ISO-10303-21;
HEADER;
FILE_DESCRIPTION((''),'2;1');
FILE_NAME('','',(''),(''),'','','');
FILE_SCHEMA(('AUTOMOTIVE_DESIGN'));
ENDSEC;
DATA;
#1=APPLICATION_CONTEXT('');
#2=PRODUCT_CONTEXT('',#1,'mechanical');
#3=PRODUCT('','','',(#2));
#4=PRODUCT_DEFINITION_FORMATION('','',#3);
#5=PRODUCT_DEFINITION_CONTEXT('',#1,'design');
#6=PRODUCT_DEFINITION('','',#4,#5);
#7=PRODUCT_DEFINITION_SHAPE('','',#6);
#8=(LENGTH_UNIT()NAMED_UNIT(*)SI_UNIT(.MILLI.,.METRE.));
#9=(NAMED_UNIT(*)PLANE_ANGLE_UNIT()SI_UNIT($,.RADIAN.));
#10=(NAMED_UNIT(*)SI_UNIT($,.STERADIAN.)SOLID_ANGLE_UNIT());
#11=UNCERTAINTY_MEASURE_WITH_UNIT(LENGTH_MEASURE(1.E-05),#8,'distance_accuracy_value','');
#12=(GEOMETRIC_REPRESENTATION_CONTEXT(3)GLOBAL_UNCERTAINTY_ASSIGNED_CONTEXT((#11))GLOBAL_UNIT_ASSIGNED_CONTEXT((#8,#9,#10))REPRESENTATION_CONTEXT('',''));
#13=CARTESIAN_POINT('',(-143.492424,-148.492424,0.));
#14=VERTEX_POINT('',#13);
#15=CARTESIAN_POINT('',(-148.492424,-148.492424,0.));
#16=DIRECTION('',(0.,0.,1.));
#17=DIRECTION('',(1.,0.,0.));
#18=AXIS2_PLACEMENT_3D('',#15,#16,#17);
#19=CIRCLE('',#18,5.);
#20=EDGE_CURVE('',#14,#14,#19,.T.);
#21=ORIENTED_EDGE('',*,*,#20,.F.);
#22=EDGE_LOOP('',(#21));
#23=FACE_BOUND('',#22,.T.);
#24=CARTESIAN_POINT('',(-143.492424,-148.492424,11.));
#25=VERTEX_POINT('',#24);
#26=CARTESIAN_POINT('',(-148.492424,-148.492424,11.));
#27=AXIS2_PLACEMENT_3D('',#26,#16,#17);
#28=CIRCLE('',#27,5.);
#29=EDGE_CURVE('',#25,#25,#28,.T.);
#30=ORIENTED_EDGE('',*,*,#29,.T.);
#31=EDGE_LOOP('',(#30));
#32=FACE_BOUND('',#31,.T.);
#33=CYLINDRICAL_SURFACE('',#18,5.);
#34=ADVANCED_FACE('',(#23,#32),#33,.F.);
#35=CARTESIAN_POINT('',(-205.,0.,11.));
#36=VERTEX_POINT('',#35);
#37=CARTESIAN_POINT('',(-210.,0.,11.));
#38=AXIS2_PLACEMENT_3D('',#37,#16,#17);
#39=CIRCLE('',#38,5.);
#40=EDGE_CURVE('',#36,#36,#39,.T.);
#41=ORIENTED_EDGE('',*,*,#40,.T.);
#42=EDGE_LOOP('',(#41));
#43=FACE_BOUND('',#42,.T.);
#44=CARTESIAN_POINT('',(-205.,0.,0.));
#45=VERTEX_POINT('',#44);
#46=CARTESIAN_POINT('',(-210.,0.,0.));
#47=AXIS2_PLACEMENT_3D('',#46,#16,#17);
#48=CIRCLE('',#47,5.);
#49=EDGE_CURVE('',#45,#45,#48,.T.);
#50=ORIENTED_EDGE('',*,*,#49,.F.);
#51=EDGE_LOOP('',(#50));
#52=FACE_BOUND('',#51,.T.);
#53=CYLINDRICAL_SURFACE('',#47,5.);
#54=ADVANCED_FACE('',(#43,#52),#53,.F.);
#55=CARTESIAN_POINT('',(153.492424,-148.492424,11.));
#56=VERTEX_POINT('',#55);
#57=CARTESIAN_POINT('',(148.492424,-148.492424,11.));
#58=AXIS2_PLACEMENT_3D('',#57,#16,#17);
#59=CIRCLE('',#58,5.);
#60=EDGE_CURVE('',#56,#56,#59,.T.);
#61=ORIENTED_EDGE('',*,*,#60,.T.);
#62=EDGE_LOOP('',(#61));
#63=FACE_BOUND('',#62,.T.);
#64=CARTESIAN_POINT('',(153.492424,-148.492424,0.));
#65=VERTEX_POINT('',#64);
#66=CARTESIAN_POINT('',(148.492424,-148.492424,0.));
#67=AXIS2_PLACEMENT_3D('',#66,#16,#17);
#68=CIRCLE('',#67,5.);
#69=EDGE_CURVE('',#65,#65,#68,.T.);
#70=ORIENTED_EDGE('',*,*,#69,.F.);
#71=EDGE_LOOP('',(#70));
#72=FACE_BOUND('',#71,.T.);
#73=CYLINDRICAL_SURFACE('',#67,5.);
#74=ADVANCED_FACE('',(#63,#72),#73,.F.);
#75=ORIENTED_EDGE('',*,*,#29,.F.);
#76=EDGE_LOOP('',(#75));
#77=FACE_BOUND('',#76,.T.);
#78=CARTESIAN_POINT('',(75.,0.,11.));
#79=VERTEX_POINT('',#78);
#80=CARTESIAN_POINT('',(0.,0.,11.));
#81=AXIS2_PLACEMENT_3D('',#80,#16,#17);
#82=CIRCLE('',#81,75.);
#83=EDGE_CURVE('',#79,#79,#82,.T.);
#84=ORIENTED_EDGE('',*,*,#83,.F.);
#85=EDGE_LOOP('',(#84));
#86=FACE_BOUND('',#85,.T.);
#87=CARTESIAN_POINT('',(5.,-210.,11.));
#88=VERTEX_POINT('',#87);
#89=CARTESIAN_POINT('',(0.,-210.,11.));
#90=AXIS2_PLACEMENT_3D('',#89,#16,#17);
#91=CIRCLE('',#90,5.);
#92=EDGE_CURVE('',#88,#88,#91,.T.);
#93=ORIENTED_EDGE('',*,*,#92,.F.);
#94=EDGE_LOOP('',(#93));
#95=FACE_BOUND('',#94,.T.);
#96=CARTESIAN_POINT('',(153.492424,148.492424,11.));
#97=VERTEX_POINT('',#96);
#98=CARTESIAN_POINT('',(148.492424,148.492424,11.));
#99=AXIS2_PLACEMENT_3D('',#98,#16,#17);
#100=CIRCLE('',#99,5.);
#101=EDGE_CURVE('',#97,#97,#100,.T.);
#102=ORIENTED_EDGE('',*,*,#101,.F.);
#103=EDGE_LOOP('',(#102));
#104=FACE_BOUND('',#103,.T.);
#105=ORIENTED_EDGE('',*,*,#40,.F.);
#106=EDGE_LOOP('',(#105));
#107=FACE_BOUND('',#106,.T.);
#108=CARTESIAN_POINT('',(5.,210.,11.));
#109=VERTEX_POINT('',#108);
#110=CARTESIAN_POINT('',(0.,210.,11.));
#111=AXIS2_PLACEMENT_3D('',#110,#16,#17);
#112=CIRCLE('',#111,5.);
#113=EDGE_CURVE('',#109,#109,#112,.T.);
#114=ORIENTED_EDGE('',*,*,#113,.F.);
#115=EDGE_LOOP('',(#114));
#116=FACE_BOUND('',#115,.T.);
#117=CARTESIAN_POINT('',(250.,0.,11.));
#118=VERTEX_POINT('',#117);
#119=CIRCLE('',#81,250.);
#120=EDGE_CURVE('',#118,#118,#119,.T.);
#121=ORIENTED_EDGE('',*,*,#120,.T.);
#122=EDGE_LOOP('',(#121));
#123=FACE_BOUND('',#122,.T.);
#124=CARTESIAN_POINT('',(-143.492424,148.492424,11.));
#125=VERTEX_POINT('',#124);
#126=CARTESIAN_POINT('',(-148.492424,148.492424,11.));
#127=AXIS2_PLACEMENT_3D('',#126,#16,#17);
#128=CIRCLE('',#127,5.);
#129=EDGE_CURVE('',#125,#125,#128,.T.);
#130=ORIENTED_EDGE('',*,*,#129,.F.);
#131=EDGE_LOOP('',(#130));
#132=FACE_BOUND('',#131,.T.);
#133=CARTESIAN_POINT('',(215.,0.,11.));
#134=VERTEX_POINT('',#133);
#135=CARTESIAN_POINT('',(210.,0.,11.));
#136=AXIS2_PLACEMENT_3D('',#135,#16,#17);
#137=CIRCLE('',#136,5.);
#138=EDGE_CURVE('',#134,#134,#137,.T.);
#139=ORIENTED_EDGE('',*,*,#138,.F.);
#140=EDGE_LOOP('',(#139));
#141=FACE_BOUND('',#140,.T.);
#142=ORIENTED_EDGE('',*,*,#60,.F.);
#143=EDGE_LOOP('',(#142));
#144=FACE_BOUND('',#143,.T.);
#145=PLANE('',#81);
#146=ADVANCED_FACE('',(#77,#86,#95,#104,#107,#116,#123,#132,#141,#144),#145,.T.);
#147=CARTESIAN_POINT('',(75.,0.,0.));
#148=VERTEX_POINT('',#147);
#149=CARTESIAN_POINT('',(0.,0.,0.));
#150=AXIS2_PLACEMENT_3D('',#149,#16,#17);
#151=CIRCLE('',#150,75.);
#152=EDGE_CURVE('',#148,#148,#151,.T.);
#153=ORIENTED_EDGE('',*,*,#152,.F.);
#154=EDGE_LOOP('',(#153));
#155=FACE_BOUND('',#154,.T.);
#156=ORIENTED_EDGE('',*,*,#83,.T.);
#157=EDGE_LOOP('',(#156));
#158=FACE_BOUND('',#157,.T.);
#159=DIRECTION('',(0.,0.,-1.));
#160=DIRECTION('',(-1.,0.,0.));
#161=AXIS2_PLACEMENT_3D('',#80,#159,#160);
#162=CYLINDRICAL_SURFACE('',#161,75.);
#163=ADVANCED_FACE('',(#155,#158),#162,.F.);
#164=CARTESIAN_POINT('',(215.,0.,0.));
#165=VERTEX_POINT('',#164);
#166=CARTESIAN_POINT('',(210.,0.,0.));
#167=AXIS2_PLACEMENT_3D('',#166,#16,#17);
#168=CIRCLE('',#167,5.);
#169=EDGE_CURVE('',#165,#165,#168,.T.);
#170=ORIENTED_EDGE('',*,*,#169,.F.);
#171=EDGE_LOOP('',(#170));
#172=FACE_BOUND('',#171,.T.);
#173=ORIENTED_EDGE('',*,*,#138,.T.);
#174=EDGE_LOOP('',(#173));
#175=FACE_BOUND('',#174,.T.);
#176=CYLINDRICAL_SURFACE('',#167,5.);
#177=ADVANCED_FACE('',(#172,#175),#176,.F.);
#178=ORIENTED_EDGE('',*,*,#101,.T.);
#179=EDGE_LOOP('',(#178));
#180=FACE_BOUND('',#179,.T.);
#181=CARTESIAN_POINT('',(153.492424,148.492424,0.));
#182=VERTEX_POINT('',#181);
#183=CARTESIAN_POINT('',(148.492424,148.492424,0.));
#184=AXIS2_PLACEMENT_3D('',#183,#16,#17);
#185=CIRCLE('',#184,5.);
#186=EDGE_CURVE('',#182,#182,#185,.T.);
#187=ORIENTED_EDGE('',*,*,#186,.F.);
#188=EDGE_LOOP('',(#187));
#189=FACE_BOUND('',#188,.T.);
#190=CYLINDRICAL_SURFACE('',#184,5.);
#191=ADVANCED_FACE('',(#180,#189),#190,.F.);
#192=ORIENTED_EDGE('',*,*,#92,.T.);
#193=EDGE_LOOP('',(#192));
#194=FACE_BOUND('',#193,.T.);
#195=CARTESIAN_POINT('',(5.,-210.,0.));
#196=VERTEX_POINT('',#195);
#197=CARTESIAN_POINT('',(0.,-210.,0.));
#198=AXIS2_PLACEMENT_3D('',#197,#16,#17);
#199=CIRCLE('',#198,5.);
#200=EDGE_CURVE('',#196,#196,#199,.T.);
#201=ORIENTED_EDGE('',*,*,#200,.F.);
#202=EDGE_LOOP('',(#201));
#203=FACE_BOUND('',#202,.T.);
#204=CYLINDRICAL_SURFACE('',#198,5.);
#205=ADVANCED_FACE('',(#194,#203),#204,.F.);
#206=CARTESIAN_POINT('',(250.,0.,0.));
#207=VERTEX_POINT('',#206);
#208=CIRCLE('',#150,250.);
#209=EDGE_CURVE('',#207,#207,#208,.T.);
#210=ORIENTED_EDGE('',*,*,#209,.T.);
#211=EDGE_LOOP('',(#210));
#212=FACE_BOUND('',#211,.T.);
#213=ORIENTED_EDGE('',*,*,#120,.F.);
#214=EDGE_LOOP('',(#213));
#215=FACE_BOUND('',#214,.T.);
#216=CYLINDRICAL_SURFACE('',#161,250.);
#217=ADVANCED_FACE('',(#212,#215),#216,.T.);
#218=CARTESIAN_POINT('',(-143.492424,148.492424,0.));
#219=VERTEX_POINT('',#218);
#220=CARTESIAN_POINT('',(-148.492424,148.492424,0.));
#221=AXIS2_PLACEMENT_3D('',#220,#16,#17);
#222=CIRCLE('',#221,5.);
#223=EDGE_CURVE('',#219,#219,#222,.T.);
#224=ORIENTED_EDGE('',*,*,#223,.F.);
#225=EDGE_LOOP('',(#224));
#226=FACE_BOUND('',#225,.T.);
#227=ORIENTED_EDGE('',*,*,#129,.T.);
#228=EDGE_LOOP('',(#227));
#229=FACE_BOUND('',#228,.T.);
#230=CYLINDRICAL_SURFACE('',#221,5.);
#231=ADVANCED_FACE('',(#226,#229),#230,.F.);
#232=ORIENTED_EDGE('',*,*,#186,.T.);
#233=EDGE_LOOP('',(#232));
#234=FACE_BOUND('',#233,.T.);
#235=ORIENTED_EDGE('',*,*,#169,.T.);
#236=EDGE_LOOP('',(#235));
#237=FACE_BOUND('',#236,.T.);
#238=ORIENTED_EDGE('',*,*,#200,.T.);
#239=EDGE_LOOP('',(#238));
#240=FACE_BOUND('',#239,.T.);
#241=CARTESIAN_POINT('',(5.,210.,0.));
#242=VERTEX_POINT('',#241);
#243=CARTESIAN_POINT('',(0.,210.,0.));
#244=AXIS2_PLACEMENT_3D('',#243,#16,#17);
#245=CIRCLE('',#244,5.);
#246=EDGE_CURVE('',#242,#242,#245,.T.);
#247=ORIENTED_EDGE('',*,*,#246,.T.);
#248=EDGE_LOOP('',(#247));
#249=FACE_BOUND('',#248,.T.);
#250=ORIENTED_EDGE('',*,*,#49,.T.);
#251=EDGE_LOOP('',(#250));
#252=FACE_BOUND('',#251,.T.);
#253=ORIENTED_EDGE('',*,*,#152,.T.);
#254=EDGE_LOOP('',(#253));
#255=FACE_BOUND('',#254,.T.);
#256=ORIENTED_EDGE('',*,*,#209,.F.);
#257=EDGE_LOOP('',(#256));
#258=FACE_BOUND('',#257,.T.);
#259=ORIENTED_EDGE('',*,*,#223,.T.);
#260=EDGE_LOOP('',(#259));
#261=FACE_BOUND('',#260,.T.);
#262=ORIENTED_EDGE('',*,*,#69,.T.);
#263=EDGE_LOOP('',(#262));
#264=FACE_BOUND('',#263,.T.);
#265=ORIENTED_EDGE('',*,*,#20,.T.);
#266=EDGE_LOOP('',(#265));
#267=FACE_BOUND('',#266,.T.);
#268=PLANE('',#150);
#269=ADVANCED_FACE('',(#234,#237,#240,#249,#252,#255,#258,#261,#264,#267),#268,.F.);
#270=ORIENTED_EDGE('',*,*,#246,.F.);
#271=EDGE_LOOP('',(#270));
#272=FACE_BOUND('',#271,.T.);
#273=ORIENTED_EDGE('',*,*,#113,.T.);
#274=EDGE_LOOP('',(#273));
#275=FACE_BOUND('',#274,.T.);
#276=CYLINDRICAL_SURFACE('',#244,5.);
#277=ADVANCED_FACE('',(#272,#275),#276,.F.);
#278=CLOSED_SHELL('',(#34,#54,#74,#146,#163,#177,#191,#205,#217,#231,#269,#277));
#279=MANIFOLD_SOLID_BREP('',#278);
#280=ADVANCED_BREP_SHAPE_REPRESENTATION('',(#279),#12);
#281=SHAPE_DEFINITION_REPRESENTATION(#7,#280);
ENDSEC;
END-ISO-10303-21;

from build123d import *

# Parameters (mm, degrees)
SKETCH2_R           = 250
SKETCH2_R_2         = 75
BOSS_EXTRUDE1_DEPTH = 11
SKETCH3_R           = 5
CUT_EXTRUDE1_DEPTH  = 354.724469043


with BuildPart() as part:
    # Sketch2 → Boss-Extrude1 (new body)
    with BuildSketch(Plane.XY):
        Circle(SKETCH2_R)
        Circle(SKETCH2_R_2, mode=Mode.SUBTRACT)
    extrude(amount=BOSS_EXTRUDE1_DEPTH)

    # Sketch3 → Cut-Extrude1 (cut, through all)
    with BuildSketch(Plane.XY.offset(11)):
        with Locations((0, 210)):
            Circle(SKETCH3_R)
        with Locations((148.492424049, 148.492424049)):
            Circle(SKETCH3_R)
        with Locations((210, 0)):
            Circle(SKETCH3_R)
        with Locations((148.492424049, -148.492424049)):
            Circle(SKETCH3_R)
        with Locations((0, -210)):
            Circle(SKETCH3_R)
        with Locations((-148.492424049, -148.492424049)):
            Circle(SKETCH3_R)
        with Locations((-210, 0)):
            Circle(SKETCH3_R)
        with Locations((-148.492424049, 148.492424049)):
            Circle(SKETCH3_R)
    extrude(amount=-CUT_EXTRUDE1_DEPTH, mode=Mode.SUBTRACT)


solid = part.part
